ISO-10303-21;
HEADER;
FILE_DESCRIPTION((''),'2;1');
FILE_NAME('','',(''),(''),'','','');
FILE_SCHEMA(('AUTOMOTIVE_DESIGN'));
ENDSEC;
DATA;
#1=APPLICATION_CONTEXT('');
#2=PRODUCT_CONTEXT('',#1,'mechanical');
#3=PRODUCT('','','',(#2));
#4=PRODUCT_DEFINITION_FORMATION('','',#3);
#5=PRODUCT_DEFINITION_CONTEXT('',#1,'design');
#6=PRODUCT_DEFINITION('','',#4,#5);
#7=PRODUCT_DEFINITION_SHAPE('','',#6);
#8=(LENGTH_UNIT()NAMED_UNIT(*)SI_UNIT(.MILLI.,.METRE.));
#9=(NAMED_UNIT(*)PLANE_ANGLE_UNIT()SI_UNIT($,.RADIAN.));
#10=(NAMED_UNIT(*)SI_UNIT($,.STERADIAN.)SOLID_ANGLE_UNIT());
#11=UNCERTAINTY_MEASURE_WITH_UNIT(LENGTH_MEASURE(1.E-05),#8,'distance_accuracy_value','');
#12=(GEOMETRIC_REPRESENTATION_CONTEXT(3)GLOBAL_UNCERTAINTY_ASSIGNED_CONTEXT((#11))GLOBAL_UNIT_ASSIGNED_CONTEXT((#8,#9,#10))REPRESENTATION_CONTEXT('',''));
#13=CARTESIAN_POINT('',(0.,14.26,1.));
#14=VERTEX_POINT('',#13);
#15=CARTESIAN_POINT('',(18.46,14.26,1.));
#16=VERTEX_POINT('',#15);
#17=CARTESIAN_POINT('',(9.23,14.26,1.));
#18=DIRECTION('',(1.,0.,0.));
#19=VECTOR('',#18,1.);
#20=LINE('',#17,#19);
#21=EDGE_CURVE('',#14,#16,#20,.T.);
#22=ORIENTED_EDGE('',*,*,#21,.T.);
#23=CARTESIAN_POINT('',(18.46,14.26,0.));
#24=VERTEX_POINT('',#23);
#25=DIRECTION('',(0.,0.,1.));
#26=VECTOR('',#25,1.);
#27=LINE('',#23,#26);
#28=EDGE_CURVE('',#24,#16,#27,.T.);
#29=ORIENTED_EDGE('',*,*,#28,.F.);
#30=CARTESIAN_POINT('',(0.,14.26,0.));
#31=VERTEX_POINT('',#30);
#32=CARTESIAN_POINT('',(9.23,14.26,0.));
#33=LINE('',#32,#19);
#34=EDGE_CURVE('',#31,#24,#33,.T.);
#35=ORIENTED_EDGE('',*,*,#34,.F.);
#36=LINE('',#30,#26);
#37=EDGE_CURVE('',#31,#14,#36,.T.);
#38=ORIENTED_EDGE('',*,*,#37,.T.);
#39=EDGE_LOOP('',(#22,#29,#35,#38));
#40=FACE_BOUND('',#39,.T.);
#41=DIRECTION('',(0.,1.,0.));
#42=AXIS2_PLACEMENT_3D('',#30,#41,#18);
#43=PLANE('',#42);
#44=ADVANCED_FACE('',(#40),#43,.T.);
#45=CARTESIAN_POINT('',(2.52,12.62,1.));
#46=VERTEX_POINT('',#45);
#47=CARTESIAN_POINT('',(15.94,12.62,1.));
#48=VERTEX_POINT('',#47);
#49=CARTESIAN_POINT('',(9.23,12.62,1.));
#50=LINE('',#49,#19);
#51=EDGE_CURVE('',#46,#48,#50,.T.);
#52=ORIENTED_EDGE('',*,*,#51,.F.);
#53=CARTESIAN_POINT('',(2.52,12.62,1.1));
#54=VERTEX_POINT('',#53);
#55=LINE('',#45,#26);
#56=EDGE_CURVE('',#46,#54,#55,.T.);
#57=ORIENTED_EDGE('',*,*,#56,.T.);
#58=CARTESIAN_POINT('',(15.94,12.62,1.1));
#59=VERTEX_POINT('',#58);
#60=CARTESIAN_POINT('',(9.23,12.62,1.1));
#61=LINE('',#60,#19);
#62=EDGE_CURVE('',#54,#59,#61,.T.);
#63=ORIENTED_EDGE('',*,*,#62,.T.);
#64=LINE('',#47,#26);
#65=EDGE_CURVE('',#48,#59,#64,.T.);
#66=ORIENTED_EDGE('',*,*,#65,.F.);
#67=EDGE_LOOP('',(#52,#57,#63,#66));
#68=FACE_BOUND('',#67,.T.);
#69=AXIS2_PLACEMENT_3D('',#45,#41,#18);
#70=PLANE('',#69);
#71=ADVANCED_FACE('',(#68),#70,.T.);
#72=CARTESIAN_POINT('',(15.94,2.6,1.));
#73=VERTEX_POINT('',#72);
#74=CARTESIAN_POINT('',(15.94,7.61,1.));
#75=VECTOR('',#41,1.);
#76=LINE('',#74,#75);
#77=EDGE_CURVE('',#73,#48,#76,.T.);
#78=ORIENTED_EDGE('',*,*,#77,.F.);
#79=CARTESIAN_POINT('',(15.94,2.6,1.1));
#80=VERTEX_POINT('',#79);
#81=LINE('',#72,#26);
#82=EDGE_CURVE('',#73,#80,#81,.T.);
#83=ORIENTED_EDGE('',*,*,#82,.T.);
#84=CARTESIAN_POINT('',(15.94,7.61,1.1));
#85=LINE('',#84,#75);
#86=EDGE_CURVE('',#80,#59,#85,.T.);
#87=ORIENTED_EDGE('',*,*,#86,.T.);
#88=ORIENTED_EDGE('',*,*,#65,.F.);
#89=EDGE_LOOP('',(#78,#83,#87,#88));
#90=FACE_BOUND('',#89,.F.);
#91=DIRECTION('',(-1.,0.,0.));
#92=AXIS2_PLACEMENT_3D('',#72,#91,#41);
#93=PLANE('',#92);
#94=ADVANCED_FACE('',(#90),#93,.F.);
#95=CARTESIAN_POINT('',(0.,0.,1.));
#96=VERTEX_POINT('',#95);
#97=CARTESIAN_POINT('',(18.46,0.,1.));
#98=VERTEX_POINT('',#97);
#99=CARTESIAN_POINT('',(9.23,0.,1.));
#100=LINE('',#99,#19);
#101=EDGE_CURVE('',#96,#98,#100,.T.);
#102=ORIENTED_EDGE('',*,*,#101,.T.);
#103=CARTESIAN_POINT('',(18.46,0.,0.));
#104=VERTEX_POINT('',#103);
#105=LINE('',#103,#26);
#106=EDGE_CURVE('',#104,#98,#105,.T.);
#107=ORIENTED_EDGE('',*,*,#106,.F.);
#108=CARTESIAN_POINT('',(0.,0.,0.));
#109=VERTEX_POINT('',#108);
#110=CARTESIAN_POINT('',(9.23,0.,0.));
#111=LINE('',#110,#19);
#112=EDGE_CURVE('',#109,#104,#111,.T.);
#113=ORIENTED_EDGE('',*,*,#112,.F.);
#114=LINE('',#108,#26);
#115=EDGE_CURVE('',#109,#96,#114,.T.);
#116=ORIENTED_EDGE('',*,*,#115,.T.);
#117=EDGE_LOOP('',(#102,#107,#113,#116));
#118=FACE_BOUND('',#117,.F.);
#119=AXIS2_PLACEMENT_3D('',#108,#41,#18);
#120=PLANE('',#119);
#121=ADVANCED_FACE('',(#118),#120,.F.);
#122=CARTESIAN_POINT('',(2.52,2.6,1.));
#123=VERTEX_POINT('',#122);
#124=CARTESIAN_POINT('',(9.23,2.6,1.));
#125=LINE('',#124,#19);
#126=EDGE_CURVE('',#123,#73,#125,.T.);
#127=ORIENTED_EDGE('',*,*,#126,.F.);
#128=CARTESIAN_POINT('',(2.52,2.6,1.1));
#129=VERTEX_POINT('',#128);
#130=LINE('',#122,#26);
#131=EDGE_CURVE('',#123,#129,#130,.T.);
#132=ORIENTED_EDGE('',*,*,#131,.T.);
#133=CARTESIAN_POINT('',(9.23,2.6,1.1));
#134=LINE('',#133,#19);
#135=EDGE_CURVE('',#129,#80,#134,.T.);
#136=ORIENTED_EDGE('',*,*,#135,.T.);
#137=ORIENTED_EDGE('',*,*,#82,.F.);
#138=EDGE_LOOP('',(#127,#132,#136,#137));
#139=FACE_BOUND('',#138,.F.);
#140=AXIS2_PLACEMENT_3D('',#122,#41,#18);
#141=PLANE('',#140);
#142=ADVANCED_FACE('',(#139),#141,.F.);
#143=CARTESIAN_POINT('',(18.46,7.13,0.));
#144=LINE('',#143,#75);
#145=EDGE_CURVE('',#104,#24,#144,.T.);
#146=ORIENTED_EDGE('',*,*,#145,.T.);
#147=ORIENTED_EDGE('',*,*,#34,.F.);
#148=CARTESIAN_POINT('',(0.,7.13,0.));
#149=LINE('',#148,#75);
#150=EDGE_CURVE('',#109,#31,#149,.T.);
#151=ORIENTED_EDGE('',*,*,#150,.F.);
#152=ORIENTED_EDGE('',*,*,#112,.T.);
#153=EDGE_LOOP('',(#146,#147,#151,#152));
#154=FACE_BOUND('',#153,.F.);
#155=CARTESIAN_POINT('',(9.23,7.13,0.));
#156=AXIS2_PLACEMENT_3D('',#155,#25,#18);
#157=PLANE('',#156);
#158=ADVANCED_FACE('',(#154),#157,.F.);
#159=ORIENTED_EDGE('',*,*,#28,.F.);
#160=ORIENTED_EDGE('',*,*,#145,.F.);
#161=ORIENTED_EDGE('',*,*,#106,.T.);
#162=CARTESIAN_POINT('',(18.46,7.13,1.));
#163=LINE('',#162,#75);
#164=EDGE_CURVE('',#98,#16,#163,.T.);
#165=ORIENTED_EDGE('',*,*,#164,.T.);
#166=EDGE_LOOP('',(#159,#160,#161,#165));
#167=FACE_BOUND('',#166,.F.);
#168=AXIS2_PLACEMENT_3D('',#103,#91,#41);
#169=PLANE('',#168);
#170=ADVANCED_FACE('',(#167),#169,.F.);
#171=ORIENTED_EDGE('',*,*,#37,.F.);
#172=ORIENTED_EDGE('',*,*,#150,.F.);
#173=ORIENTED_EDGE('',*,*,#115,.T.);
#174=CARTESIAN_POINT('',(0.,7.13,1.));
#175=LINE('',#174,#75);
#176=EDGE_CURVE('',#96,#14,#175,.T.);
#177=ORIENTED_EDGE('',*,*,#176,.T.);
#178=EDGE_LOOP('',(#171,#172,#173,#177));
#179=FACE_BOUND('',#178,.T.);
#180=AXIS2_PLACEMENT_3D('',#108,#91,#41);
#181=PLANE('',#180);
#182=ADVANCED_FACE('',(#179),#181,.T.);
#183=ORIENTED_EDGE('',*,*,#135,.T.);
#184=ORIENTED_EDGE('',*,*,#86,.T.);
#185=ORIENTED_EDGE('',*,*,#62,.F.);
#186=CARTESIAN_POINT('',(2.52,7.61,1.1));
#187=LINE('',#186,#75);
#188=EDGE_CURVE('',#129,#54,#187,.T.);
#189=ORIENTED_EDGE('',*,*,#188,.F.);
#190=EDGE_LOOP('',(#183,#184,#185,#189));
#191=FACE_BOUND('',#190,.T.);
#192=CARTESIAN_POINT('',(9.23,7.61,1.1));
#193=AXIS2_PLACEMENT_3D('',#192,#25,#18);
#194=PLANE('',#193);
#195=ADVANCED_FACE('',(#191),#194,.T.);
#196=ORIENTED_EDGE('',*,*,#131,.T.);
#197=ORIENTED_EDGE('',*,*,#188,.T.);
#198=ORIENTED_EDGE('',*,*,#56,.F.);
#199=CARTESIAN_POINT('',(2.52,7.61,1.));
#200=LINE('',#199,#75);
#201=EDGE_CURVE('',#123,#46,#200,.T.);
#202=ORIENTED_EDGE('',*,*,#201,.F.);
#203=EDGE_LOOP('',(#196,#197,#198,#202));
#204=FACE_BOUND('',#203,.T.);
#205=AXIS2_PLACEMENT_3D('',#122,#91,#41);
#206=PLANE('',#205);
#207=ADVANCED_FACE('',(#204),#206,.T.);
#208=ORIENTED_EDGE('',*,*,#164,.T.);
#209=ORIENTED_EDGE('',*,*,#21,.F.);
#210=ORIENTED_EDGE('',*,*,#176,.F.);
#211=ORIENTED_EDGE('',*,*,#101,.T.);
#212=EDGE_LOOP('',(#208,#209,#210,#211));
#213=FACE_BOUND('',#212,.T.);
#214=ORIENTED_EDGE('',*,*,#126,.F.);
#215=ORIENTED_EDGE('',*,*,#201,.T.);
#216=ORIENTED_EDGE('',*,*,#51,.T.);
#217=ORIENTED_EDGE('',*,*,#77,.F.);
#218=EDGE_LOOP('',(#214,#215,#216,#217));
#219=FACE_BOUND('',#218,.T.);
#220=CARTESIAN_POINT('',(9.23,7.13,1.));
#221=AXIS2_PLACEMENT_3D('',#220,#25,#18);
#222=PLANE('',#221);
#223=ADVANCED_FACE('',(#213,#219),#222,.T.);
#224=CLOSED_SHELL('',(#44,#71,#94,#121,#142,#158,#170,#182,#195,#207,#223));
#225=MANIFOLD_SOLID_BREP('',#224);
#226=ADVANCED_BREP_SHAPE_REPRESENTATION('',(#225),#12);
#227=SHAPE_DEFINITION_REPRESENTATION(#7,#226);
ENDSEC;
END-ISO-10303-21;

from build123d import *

# Parameters (mm, degrees)
BOX001_W     = 18.46
BOX001_H     = 14.26
BOX001_DEPTH = 1
BOX_W        = 13.42
BOX_H        = 10.02
BOX_DEPTH    = 0.1


with BuildPart() as dispcarrier:
    # Box001 → Box001 (new body)
    with BuildSketch(Plane.XY):
        with Locations((9.23, 7.13)):
            Rectangle(BOX001_W, BOX001_H)
    extrude(amount=BOX001_DEPTH)


with BuildPart() as display:
    # Box → Box (new body)
    with BuildSketch(Plane(origin=(2.52, 2.6, 1), x_dir=(1, 0, 0), z_dir=(0, 0, 1))):
        with Locations((6.71, 5.01)):
            Rectangle(BOX_W, BOX_H)
    extrude(amount=BOX_DEPTH)

    # Fusion: union Dispcarrier
    add(dispcarrier.part)


solid = display.part
